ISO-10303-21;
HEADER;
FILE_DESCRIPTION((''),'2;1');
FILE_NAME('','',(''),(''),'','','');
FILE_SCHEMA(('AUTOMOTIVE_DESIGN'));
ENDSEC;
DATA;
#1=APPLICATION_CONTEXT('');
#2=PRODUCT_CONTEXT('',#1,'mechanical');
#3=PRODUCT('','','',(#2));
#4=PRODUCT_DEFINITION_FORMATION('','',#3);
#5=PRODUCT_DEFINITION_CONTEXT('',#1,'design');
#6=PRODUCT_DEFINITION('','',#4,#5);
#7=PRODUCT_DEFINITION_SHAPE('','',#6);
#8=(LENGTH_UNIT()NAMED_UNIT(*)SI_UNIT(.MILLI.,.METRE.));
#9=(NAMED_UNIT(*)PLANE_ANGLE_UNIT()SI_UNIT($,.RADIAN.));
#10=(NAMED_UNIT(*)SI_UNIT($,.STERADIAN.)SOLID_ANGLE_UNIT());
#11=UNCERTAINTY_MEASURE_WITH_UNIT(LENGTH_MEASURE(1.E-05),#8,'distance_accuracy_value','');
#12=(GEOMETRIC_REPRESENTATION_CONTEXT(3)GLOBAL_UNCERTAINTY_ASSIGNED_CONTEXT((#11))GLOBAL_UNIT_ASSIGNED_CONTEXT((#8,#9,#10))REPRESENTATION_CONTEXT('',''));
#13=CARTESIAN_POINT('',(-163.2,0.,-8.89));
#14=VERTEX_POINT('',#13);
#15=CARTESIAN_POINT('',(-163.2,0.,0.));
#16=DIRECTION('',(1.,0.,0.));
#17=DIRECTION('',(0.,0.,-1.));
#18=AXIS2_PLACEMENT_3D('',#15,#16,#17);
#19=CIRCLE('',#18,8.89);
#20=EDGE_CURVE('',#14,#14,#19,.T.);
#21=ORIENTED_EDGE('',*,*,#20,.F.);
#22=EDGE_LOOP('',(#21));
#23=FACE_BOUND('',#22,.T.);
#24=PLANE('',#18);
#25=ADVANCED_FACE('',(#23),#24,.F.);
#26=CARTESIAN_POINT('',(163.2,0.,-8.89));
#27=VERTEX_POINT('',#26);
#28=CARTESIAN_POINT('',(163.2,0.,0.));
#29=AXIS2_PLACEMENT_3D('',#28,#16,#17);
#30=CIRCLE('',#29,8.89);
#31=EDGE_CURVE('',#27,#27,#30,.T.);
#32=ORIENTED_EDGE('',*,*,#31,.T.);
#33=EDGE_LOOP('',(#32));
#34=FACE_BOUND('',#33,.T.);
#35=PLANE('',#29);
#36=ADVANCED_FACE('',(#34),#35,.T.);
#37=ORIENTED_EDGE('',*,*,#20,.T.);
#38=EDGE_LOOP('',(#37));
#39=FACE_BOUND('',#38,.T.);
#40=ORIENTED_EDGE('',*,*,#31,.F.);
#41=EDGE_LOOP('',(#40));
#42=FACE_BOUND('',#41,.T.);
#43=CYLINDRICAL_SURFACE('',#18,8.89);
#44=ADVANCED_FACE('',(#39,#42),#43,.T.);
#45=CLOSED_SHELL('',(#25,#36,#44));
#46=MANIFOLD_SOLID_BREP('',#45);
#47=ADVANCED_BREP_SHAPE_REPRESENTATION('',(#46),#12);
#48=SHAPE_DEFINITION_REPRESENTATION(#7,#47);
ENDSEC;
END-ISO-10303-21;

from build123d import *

# Parameters (mm, degrees)
BOSS_EXTRUDE1_DEPTH      = 163.2
BOSS_EXTRUDE1_DEPTH_BACK = 163.2
SKETCH1_R                = 8.89


with BuildPart() as part:
    # Sketch1 → Boss-Extrude1 (new, two sides: drawn at the far end of the back side and taken through both)
    with BuildSketch(Plane(origin=(0, 0, 0), x_dir=(0, 0, -1), z_dir=(1, 0, 0)).offset(-BOSS_EXTRUDE1_DEPTH_BACK)):
        Circle(SKETCH1_R)
    extrude(amount=BOSS_EXTRUDE1_DEPTH + BOSS_EXTRUDE1_DEPTH_BACK)


solid = part.part
